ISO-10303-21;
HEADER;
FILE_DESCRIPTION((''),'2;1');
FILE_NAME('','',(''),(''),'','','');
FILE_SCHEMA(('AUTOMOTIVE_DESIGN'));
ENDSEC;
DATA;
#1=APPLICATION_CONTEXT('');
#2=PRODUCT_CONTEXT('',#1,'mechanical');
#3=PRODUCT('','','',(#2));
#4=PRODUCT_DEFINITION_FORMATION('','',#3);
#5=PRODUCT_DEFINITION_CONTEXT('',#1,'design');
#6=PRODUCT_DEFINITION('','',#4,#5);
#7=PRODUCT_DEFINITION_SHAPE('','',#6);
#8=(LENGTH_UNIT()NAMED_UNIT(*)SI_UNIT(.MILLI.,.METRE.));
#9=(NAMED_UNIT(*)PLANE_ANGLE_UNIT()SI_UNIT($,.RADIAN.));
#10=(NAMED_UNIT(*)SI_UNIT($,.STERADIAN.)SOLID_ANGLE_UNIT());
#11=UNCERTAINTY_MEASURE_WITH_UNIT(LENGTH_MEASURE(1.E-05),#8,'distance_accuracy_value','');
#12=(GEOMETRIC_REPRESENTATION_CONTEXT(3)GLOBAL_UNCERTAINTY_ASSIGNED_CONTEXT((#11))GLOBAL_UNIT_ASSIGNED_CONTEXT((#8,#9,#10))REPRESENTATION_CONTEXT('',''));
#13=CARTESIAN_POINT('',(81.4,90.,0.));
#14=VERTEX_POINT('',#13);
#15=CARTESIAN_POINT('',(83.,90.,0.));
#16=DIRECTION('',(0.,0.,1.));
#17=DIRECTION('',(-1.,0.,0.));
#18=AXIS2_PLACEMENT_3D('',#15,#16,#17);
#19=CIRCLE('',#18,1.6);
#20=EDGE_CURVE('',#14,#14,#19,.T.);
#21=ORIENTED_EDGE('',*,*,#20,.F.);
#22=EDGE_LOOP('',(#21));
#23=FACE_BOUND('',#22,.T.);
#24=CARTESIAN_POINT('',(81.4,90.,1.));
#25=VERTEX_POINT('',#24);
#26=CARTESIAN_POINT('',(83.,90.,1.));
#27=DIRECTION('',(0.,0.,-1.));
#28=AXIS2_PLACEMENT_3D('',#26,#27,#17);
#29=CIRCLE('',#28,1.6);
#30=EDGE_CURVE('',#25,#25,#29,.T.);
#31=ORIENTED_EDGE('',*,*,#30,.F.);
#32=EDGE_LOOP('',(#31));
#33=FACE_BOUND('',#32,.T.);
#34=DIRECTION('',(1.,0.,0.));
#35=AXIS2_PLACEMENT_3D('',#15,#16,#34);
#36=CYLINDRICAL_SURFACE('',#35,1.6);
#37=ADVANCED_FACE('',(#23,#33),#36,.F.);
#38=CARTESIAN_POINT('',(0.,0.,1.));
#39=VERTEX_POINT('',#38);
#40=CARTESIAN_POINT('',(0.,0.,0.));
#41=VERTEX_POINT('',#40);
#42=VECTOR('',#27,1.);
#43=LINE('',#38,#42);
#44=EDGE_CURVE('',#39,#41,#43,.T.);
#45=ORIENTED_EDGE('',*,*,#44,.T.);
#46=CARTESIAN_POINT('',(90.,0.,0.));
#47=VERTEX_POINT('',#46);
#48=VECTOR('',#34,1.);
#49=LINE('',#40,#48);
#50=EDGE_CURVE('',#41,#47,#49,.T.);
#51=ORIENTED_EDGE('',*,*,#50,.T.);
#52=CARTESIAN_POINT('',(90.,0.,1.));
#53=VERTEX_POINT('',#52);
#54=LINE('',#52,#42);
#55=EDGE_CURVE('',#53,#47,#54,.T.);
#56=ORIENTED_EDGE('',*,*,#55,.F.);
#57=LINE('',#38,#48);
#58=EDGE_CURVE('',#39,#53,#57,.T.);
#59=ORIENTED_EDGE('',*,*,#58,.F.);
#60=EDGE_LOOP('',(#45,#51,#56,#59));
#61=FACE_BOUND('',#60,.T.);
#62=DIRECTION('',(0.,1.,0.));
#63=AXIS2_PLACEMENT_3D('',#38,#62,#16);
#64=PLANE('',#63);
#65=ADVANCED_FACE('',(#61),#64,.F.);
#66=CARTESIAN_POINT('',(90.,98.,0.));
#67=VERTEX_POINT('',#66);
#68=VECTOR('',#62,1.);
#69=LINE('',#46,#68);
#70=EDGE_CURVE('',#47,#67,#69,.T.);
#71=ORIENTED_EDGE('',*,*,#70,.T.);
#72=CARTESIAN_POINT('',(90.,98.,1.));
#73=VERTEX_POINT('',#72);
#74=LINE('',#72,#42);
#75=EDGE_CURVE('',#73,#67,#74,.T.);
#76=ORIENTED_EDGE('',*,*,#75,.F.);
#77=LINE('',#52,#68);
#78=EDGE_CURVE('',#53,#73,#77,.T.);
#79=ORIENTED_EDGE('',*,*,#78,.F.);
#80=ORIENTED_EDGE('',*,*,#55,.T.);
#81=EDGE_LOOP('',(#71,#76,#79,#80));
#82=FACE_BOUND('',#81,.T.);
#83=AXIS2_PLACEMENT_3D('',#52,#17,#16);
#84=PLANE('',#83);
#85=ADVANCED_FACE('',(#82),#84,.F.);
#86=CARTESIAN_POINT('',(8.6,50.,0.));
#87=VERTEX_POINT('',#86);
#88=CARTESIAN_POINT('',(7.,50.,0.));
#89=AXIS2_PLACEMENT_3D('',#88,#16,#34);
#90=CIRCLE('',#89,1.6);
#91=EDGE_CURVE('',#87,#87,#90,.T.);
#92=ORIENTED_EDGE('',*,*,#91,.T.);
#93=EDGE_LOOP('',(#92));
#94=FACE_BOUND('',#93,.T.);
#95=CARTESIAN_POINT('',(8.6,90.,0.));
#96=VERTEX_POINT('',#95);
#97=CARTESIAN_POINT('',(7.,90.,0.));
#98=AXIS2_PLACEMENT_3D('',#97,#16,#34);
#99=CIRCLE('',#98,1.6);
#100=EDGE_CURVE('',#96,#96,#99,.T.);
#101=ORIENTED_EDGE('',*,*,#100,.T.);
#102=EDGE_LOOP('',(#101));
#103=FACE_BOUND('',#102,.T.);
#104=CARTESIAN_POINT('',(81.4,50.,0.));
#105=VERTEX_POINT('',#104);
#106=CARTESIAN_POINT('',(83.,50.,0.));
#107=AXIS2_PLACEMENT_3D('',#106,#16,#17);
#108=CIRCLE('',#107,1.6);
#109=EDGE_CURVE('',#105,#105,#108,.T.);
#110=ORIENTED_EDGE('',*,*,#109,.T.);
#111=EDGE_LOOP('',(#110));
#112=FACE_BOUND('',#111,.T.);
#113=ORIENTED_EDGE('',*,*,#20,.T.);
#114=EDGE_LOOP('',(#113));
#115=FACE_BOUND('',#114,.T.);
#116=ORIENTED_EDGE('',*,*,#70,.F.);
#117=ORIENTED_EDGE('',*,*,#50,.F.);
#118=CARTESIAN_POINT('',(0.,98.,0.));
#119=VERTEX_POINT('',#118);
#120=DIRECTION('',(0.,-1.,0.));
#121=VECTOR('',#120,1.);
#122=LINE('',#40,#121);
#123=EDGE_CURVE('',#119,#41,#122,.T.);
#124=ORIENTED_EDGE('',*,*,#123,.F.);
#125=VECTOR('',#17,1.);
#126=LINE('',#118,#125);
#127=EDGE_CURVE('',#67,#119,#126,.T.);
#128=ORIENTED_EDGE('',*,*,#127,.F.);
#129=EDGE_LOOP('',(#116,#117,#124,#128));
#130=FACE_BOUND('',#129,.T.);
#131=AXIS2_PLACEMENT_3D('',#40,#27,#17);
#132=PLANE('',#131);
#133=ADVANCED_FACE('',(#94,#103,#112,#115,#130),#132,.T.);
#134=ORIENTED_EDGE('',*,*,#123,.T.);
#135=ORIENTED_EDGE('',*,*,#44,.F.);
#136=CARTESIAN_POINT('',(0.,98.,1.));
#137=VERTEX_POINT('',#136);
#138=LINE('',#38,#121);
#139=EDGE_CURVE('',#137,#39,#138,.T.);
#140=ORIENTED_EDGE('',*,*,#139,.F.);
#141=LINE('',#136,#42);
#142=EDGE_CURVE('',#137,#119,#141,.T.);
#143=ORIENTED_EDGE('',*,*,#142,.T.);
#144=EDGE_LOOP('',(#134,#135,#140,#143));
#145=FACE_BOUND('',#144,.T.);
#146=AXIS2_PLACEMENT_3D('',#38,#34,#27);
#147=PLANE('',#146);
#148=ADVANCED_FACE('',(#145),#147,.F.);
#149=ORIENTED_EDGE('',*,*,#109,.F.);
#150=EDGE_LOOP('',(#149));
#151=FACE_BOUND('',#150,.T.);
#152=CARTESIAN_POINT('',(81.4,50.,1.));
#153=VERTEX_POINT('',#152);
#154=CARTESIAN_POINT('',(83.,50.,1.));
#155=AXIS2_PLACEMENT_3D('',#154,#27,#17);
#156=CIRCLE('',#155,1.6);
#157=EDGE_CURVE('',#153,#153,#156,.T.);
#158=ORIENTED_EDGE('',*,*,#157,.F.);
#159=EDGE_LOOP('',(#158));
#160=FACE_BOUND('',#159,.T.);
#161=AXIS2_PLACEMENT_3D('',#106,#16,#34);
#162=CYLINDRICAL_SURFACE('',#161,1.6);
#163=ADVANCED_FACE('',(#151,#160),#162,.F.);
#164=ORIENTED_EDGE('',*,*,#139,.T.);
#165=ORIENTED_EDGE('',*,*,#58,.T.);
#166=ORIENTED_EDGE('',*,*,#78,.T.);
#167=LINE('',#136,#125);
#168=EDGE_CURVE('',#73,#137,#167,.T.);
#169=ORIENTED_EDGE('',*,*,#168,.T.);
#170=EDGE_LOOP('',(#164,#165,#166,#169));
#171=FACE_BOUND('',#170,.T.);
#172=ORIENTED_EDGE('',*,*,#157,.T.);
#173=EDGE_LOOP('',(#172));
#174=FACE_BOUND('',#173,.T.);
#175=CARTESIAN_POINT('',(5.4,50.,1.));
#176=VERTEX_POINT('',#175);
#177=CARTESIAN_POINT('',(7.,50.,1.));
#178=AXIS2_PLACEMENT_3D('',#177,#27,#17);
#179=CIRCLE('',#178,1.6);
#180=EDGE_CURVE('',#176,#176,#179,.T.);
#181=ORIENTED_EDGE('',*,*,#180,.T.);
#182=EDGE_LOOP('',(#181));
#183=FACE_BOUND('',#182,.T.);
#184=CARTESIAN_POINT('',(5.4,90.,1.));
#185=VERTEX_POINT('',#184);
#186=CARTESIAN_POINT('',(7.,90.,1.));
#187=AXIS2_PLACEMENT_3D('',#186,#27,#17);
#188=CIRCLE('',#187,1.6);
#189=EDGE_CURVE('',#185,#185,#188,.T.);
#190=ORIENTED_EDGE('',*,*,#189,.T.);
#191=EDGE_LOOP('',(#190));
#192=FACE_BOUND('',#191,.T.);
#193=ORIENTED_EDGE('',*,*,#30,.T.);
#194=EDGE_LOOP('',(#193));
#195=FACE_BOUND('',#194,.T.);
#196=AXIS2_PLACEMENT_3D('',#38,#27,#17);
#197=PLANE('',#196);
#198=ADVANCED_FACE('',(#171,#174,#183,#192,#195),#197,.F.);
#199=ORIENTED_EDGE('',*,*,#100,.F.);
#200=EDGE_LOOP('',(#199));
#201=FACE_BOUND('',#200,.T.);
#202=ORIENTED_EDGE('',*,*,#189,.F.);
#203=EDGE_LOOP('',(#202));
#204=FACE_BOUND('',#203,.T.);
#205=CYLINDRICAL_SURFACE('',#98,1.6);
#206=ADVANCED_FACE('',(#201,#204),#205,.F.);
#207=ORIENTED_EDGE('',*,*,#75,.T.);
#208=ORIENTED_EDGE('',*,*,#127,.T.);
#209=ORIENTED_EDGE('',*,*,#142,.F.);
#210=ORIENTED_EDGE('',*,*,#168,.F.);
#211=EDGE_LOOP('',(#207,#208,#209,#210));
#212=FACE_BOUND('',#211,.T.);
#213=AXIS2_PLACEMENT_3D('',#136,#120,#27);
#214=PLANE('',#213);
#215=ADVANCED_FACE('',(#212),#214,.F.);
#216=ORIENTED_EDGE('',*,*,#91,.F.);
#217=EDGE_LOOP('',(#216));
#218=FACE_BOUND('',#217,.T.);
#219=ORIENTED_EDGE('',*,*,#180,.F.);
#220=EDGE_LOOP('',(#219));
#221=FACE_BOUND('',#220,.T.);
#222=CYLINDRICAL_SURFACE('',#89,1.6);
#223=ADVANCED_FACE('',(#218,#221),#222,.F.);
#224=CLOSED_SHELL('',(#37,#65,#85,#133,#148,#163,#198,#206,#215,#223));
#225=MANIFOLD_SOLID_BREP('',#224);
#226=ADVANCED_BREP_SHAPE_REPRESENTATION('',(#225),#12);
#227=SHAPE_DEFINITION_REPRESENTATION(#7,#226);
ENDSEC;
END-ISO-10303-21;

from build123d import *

# Parameters (mm, degrees)
ESQUISSE1_W                  = 90
ESQUISSE1_H                  = 98
BOSS_EXTRU_1_DEPTH           = 1
ENL_V_MAT_EXTRU_1_DEPTH      = 134.06013678
ENL_V_MAT_EXTRU_1_DEPTH_BACK = 134.06013678
ESQUISSE2_R                  = 1.6


with BuildPart() as part:
    # Esquisse1 → Boss.-Extru.1 (new body)
    with BuildSketch(Plane.XY):
        with Locations((45, 49)):
            Rectangle(ESQUISSE1_W, ESQUISSE1_H)
    extrude(amount=BOSS_EXTRU_1_DEPTH)

    # Esquisse2 → Enlèv. mat.-Extru.1 (cut, two sides: drawn at the far end of the back side and taken through both)
    with BuildSketch(Plane.XY.offset(1).offset(-ENL_V_MAT_EXTRU_1_DEPTH_BACK)):
        with Locations((7, 50)):
            Circle(ESQUISSE2_R)
        with Locations((7, 90)):
            Circle(ESQUISSE2_R)
        with Locations(Location((83, 90, 0), (0, 0, 180))):
            Circle(ESQUISSE2_R)
        with Locations(Location((83, 50, 0), (0, 0, 180))):
            Circle(ESQUISSE2_R)
    extrude(amount=ENL_V_MAT_EXTRU_1_DEPTH + ENL_V_MAT_EXTRU_1_DEPTH_BACK, mode=Mode.SUBTRACT)


solid = part.part
